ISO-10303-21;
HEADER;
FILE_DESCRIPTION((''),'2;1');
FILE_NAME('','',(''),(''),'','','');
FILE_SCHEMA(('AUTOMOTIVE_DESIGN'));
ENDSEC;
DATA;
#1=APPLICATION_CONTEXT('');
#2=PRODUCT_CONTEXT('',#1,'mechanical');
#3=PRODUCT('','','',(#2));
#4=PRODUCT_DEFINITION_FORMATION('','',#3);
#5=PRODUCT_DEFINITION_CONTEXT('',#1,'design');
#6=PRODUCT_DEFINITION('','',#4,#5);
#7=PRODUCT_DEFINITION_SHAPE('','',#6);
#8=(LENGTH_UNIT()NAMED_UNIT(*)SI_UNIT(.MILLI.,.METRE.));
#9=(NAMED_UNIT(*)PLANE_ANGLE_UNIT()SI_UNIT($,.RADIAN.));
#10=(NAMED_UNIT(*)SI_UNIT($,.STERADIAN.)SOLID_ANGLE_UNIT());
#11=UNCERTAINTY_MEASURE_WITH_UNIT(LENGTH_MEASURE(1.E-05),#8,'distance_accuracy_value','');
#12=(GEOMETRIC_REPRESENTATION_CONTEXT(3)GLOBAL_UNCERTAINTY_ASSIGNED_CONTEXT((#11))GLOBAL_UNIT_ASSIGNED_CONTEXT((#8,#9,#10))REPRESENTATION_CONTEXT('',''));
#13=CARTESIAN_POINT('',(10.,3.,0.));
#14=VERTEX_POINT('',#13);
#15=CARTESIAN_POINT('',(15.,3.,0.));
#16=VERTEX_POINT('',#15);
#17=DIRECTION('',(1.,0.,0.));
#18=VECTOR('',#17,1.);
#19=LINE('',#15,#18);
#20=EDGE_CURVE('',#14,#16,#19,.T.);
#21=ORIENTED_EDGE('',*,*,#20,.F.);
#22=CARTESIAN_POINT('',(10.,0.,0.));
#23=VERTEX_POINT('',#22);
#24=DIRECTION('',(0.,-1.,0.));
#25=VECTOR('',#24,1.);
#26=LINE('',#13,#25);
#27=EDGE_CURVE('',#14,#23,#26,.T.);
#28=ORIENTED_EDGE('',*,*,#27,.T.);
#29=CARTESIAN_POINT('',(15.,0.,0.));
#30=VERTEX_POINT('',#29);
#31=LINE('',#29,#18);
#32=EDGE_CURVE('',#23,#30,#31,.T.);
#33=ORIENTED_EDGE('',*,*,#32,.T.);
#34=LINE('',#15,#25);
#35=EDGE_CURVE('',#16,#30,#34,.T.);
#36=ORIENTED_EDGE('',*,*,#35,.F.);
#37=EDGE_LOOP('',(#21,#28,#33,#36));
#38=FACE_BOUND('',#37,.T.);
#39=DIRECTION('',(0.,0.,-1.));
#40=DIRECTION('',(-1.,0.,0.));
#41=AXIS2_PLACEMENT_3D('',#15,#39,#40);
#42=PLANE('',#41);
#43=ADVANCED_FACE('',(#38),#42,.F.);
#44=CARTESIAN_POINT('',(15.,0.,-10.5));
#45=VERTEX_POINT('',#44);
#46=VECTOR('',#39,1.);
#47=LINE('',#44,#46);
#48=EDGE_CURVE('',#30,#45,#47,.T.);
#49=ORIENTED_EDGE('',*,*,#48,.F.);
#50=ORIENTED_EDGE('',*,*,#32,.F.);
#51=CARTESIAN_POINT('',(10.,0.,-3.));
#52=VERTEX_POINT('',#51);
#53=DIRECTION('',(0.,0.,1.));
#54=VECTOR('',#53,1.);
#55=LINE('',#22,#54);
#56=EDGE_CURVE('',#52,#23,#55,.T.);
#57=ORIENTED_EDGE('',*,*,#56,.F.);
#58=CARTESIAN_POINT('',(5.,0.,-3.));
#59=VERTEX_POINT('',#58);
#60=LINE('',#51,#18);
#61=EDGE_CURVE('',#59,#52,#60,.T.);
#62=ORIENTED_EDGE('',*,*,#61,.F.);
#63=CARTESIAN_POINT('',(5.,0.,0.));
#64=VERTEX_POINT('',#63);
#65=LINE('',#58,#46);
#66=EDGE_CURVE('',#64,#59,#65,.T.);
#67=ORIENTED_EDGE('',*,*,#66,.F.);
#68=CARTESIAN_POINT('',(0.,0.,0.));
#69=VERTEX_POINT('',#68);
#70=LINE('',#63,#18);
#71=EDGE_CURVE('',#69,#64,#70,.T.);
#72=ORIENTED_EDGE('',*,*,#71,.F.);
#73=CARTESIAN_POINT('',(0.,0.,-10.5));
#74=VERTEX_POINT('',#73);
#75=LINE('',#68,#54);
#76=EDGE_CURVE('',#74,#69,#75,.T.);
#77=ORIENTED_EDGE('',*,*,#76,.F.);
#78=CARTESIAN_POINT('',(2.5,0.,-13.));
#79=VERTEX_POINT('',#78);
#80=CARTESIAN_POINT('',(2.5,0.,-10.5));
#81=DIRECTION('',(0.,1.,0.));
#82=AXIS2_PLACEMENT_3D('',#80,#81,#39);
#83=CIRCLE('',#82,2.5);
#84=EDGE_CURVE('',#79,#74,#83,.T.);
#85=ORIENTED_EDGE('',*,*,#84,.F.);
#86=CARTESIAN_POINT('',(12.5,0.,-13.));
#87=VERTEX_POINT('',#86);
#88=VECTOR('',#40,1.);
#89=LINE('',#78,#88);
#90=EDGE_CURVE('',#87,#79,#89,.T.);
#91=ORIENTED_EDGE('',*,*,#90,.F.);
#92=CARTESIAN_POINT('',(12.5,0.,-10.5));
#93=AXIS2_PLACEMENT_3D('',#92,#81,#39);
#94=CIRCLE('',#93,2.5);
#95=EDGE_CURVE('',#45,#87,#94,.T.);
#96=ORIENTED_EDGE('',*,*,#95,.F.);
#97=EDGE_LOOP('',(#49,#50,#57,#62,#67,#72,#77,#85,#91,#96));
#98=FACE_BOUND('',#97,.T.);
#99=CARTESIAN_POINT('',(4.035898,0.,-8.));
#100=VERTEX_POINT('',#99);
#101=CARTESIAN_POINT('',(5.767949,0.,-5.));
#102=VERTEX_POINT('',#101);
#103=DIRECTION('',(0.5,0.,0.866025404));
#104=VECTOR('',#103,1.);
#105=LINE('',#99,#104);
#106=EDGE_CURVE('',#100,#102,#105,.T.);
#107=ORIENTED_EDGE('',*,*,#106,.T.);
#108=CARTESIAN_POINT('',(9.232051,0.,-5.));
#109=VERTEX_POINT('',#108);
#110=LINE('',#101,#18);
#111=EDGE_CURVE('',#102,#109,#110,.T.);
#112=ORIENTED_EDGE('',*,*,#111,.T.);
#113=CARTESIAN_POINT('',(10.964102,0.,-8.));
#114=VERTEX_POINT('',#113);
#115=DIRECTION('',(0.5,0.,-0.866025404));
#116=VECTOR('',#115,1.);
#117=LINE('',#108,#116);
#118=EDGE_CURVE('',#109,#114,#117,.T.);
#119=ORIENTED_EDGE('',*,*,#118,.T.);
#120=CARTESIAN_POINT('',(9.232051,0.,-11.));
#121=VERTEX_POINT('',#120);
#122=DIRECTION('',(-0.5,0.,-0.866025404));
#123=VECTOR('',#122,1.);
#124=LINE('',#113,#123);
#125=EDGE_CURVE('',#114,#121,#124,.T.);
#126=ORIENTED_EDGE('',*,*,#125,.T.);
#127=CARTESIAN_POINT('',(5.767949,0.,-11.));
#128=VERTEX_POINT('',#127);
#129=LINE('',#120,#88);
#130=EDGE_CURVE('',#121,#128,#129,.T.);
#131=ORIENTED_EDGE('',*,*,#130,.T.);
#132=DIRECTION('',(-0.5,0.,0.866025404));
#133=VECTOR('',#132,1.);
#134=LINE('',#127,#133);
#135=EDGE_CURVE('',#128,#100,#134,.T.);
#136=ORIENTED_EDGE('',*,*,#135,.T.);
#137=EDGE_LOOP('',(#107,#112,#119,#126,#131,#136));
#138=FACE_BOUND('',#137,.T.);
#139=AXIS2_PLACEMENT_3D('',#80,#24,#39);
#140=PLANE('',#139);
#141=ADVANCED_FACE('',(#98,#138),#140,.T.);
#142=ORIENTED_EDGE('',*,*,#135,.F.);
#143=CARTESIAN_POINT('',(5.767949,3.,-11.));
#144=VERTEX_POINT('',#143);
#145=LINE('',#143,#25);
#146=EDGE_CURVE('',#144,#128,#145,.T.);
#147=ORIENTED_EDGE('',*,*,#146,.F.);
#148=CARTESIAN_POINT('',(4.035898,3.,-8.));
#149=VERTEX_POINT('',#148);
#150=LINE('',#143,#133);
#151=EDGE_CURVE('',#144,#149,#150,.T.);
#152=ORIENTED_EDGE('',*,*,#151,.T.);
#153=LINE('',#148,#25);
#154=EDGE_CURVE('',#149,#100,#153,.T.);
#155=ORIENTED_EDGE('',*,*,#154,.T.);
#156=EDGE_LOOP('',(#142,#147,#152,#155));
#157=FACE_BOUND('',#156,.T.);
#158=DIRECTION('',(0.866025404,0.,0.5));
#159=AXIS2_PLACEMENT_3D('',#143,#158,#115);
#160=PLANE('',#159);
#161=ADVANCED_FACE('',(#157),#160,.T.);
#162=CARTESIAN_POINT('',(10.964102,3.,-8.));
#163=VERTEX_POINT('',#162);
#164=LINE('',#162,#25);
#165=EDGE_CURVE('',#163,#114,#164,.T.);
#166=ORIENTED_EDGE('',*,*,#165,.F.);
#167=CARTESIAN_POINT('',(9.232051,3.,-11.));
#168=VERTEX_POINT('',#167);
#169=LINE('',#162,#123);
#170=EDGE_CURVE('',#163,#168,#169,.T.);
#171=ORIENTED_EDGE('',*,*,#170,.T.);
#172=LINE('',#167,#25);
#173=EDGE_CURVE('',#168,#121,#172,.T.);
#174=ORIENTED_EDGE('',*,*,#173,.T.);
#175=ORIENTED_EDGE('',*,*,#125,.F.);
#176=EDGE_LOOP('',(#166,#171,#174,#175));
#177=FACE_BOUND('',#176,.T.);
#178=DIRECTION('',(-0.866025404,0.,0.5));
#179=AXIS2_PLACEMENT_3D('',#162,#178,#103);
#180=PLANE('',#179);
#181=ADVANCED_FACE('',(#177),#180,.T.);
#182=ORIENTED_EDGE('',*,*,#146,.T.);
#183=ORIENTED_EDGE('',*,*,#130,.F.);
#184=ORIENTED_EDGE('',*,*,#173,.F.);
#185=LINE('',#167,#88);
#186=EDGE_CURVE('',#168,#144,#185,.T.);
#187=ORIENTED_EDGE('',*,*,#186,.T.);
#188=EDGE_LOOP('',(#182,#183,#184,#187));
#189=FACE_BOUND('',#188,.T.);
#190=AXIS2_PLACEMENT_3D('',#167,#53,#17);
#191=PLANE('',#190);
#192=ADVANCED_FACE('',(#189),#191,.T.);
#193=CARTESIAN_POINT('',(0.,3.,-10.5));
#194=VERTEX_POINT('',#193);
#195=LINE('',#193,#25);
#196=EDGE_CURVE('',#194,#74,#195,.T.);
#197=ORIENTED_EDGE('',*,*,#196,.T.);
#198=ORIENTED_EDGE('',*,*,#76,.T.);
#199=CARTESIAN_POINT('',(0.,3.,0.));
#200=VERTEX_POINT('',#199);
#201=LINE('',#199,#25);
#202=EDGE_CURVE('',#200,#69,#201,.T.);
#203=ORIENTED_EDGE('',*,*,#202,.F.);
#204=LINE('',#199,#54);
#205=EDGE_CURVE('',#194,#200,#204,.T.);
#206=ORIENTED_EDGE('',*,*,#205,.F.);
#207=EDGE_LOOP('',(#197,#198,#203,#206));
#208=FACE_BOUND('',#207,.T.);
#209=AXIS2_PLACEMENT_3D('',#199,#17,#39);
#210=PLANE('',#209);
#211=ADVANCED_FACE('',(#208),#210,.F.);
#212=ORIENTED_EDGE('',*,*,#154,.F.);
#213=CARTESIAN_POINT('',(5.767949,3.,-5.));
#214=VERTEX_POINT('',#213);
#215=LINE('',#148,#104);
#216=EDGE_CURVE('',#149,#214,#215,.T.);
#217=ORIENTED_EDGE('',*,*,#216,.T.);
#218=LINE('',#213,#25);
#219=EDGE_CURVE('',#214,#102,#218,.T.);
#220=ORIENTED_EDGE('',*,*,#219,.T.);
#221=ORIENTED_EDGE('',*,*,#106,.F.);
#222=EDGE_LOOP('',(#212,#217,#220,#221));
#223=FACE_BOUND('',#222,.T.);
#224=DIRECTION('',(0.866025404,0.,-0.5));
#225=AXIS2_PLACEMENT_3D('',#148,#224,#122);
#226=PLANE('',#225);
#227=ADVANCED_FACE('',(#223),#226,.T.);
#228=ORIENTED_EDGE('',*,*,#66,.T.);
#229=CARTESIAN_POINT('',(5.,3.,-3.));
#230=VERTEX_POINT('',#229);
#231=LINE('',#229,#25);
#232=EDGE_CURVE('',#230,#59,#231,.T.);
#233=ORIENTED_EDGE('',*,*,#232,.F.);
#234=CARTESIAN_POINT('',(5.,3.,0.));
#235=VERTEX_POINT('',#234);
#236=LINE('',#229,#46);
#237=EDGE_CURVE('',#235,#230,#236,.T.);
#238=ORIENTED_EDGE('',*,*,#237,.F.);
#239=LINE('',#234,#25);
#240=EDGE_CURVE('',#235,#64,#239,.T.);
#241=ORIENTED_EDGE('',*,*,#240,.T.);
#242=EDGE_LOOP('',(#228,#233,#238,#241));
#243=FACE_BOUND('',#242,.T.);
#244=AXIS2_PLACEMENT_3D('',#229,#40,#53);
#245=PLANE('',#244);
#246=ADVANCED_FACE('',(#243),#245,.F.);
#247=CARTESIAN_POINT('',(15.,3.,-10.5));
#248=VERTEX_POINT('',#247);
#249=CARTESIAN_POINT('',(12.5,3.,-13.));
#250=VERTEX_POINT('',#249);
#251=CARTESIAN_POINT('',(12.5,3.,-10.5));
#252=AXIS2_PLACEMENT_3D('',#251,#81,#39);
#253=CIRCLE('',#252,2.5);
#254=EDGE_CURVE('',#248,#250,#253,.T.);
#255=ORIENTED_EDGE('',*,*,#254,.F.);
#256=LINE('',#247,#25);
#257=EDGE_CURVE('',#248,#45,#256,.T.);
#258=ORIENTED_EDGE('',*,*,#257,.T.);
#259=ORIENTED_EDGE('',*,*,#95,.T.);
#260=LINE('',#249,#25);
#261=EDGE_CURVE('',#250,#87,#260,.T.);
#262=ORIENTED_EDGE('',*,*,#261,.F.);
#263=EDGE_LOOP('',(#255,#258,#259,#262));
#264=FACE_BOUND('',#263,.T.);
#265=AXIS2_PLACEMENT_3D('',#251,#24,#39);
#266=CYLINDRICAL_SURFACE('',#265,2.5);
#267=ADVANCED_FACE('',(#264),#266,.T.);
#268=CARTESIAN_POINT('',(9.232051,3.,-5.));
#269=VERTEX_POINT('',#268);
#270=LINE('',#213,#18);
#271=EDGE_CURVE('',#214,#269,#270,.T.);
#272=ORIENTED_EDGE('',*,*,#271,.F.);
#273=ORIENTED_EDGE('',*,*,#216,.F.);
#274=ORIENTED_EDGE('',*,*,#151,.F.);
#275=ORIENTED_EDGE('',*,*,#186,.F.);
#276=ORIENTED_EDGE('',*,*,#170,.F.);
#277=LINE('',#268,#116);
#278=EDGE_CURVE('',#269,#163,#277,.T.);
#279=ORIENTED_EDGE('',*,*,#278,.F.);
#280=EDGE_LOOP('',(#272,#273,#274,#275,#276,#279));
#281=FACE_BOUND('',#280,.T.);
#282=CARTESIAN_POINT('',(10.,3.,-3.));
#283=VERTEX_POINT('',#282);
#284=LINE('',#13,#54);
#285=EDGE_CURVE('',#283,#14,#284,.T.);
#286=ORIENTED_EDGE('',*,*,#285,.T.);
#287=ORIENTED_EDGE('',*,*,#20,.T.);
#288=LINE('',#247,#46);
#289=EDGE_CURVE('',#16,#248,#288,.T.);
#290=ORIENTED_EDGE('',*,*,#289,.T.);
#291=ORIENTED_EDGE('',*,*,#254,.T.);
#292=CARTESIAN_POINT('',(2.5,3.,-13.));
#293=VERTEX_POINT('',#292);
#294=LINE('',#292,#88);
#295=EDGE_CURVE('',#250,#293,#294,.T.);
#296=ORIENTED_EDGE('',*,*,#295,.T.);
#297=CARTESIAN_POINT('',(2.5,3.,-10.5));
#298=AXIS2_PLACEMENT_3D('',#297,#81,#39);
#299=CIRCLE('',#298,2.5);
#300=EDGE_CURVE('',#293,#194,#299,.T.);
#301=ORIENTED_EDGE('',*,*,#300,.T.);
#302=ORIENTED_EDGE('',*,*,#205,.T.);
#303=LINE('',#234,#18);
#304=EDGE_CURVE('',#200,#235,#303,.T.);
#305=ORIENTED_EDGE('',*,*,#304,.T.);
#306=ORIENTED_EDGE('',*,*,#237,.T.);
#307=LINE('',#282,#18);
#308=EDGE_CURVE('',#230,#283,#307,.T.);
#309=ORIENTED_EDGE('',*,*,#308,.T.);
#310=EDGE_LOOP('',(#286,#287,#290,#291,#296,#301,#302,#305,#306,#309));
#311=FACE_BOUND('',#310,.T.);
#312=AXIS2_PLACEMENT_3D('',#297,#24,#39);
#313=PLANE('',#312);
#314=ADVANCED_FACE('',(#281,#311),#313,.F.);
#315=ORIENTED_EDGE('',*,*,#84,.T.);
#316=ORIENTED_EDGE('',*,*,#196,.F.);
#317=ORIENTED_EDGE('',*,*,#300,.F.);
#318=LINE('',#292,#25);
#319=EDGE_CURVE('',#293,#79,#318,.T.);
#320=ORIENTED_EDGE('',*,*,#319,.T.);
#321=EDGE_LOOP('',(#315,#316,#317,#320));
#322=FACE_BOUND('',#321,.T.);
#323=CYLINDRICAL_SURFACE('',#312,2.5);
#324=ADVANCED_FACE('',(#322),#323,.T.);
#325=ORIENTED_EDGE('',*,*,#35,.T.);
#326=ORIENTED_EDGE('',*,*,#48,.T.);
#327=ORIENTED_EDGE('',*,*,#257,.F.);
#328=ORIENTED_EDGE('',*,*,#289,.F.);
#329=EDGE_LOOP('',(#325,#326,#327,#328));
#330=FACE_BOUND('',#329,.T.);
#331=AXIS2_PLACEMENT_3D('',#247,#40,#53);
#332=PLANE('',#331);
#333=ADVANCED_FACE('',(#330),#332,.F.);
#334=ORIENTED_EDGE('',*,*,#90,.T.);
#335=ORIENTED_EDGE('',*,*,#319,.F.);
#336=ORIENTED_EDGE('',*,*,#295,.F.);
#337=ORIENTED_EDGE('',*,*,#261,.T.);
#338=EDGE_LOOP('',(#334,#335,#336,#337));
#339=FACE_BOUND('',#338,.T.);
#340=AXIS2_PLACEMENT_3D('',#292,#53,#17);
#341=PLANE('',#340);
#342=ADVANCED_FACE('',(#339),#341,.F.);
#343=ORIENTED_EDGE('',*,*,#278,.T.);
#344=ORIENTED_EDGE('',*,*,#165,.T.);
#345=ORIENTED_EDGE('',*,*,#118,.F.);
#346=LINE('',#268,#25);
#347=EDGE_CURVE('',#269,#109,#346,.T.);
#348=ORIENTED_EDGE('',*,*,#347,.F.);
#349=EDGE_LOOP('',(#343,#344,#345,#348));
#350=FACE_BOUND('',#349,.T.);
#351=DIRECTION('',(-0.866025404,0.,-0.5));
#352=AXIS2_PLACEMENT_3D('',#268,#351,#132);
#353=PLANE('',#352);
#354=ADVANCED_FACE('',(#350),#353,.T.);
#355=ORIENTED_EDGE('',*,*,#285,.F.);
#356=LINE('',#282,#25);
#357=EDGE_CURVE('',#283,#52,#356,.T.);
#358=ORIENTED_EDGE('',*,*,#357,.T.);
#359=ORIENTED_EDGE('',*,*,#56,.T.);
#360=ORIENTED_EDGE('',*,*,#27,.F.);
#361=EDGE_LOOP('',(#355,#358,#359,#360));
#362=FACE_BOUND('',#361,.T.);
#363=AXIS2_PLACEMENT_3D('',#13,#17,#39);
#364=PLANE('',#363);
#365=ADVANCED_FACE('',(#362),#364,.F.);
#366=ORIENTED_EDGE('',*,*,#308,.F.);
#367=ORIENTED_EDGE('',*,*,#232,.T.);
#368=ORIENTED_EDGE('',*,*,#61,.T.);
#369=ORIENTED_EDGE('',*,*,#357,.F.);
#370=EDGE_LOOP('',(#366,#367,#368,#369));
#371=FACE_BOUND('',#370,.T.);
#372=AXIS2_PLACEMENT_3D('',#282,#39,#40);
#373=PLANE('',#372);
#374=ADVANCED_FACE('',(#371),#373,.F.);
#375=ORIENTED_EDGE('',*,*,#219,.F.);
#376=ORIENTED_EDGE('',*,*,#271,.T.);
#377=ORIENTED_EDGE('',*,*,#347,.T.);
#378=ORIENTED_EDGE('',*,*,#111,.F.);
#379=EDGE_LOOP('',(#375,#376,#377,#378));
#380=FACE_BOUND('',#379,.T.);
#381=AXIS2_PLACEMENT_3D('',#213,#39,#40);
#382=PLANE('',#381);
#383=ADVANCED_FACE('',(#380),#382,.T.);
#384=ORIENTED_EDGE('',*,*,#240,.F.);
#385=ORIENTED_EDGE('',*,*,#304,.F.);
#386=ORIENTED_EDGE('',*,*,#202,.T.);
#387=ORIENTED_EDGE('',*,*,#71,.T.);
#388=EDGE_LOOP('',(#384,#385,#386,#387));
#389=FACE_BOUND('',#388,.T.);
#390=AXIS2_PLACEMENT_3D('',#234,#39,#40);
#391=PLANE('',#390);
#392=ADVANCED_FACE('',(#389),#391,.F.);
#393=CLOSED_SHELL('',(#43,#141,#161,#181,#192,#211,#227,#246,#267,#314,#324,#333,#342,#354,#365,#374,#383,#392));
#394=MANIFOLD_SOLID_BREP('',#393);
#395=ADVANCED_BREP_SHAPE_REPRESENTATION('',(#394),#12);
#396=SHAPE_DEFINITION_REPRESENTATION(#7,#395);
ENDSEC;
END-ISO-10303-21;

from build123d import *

# Parameters (mm, degrees)
BOSS_EXTRUDE1_DEPTH = 3


with BuildPart() as part:
    # Sketch1 → Boss-Extrude1 (new body)
    with BuildSketch(Plane(origin=(0, 0, 0), x_dir=(1, 0, 0), z_dir=(0, 1, 0))):
        with BuildLine():
            Line((0, 0), (0, 10.5))
            ThreePointArc((0, 10.5), (0.732233047, 12.267766953), (2.5, 13))
            Line((2.5, 13), (12.5, 13))
            ThreePointArc((12.5, 13), (14.267766953, 12.267766953), (15, 10.5))
            Line((15, 10.5), (15, 0))
            Line((15, 0), (10, 0))
            Line((10, 0), (10, 3))
            Line((10, 3), (5, 3))
            Line((5, 3), (5, 0))
            Line((5, 0), (0, 0))
        make_face()
        Polygon((5.767949192, 5), (9.232050808, 5), (10.964101615, 8), (9.232050808, 11), (5.767949192, 11), (4.035898385, 8), align=None, mode=Mode.SUBTRACT)
    extrude(amount=BOSS_EXTRUDE1_DEPTH)


solid = part.part
